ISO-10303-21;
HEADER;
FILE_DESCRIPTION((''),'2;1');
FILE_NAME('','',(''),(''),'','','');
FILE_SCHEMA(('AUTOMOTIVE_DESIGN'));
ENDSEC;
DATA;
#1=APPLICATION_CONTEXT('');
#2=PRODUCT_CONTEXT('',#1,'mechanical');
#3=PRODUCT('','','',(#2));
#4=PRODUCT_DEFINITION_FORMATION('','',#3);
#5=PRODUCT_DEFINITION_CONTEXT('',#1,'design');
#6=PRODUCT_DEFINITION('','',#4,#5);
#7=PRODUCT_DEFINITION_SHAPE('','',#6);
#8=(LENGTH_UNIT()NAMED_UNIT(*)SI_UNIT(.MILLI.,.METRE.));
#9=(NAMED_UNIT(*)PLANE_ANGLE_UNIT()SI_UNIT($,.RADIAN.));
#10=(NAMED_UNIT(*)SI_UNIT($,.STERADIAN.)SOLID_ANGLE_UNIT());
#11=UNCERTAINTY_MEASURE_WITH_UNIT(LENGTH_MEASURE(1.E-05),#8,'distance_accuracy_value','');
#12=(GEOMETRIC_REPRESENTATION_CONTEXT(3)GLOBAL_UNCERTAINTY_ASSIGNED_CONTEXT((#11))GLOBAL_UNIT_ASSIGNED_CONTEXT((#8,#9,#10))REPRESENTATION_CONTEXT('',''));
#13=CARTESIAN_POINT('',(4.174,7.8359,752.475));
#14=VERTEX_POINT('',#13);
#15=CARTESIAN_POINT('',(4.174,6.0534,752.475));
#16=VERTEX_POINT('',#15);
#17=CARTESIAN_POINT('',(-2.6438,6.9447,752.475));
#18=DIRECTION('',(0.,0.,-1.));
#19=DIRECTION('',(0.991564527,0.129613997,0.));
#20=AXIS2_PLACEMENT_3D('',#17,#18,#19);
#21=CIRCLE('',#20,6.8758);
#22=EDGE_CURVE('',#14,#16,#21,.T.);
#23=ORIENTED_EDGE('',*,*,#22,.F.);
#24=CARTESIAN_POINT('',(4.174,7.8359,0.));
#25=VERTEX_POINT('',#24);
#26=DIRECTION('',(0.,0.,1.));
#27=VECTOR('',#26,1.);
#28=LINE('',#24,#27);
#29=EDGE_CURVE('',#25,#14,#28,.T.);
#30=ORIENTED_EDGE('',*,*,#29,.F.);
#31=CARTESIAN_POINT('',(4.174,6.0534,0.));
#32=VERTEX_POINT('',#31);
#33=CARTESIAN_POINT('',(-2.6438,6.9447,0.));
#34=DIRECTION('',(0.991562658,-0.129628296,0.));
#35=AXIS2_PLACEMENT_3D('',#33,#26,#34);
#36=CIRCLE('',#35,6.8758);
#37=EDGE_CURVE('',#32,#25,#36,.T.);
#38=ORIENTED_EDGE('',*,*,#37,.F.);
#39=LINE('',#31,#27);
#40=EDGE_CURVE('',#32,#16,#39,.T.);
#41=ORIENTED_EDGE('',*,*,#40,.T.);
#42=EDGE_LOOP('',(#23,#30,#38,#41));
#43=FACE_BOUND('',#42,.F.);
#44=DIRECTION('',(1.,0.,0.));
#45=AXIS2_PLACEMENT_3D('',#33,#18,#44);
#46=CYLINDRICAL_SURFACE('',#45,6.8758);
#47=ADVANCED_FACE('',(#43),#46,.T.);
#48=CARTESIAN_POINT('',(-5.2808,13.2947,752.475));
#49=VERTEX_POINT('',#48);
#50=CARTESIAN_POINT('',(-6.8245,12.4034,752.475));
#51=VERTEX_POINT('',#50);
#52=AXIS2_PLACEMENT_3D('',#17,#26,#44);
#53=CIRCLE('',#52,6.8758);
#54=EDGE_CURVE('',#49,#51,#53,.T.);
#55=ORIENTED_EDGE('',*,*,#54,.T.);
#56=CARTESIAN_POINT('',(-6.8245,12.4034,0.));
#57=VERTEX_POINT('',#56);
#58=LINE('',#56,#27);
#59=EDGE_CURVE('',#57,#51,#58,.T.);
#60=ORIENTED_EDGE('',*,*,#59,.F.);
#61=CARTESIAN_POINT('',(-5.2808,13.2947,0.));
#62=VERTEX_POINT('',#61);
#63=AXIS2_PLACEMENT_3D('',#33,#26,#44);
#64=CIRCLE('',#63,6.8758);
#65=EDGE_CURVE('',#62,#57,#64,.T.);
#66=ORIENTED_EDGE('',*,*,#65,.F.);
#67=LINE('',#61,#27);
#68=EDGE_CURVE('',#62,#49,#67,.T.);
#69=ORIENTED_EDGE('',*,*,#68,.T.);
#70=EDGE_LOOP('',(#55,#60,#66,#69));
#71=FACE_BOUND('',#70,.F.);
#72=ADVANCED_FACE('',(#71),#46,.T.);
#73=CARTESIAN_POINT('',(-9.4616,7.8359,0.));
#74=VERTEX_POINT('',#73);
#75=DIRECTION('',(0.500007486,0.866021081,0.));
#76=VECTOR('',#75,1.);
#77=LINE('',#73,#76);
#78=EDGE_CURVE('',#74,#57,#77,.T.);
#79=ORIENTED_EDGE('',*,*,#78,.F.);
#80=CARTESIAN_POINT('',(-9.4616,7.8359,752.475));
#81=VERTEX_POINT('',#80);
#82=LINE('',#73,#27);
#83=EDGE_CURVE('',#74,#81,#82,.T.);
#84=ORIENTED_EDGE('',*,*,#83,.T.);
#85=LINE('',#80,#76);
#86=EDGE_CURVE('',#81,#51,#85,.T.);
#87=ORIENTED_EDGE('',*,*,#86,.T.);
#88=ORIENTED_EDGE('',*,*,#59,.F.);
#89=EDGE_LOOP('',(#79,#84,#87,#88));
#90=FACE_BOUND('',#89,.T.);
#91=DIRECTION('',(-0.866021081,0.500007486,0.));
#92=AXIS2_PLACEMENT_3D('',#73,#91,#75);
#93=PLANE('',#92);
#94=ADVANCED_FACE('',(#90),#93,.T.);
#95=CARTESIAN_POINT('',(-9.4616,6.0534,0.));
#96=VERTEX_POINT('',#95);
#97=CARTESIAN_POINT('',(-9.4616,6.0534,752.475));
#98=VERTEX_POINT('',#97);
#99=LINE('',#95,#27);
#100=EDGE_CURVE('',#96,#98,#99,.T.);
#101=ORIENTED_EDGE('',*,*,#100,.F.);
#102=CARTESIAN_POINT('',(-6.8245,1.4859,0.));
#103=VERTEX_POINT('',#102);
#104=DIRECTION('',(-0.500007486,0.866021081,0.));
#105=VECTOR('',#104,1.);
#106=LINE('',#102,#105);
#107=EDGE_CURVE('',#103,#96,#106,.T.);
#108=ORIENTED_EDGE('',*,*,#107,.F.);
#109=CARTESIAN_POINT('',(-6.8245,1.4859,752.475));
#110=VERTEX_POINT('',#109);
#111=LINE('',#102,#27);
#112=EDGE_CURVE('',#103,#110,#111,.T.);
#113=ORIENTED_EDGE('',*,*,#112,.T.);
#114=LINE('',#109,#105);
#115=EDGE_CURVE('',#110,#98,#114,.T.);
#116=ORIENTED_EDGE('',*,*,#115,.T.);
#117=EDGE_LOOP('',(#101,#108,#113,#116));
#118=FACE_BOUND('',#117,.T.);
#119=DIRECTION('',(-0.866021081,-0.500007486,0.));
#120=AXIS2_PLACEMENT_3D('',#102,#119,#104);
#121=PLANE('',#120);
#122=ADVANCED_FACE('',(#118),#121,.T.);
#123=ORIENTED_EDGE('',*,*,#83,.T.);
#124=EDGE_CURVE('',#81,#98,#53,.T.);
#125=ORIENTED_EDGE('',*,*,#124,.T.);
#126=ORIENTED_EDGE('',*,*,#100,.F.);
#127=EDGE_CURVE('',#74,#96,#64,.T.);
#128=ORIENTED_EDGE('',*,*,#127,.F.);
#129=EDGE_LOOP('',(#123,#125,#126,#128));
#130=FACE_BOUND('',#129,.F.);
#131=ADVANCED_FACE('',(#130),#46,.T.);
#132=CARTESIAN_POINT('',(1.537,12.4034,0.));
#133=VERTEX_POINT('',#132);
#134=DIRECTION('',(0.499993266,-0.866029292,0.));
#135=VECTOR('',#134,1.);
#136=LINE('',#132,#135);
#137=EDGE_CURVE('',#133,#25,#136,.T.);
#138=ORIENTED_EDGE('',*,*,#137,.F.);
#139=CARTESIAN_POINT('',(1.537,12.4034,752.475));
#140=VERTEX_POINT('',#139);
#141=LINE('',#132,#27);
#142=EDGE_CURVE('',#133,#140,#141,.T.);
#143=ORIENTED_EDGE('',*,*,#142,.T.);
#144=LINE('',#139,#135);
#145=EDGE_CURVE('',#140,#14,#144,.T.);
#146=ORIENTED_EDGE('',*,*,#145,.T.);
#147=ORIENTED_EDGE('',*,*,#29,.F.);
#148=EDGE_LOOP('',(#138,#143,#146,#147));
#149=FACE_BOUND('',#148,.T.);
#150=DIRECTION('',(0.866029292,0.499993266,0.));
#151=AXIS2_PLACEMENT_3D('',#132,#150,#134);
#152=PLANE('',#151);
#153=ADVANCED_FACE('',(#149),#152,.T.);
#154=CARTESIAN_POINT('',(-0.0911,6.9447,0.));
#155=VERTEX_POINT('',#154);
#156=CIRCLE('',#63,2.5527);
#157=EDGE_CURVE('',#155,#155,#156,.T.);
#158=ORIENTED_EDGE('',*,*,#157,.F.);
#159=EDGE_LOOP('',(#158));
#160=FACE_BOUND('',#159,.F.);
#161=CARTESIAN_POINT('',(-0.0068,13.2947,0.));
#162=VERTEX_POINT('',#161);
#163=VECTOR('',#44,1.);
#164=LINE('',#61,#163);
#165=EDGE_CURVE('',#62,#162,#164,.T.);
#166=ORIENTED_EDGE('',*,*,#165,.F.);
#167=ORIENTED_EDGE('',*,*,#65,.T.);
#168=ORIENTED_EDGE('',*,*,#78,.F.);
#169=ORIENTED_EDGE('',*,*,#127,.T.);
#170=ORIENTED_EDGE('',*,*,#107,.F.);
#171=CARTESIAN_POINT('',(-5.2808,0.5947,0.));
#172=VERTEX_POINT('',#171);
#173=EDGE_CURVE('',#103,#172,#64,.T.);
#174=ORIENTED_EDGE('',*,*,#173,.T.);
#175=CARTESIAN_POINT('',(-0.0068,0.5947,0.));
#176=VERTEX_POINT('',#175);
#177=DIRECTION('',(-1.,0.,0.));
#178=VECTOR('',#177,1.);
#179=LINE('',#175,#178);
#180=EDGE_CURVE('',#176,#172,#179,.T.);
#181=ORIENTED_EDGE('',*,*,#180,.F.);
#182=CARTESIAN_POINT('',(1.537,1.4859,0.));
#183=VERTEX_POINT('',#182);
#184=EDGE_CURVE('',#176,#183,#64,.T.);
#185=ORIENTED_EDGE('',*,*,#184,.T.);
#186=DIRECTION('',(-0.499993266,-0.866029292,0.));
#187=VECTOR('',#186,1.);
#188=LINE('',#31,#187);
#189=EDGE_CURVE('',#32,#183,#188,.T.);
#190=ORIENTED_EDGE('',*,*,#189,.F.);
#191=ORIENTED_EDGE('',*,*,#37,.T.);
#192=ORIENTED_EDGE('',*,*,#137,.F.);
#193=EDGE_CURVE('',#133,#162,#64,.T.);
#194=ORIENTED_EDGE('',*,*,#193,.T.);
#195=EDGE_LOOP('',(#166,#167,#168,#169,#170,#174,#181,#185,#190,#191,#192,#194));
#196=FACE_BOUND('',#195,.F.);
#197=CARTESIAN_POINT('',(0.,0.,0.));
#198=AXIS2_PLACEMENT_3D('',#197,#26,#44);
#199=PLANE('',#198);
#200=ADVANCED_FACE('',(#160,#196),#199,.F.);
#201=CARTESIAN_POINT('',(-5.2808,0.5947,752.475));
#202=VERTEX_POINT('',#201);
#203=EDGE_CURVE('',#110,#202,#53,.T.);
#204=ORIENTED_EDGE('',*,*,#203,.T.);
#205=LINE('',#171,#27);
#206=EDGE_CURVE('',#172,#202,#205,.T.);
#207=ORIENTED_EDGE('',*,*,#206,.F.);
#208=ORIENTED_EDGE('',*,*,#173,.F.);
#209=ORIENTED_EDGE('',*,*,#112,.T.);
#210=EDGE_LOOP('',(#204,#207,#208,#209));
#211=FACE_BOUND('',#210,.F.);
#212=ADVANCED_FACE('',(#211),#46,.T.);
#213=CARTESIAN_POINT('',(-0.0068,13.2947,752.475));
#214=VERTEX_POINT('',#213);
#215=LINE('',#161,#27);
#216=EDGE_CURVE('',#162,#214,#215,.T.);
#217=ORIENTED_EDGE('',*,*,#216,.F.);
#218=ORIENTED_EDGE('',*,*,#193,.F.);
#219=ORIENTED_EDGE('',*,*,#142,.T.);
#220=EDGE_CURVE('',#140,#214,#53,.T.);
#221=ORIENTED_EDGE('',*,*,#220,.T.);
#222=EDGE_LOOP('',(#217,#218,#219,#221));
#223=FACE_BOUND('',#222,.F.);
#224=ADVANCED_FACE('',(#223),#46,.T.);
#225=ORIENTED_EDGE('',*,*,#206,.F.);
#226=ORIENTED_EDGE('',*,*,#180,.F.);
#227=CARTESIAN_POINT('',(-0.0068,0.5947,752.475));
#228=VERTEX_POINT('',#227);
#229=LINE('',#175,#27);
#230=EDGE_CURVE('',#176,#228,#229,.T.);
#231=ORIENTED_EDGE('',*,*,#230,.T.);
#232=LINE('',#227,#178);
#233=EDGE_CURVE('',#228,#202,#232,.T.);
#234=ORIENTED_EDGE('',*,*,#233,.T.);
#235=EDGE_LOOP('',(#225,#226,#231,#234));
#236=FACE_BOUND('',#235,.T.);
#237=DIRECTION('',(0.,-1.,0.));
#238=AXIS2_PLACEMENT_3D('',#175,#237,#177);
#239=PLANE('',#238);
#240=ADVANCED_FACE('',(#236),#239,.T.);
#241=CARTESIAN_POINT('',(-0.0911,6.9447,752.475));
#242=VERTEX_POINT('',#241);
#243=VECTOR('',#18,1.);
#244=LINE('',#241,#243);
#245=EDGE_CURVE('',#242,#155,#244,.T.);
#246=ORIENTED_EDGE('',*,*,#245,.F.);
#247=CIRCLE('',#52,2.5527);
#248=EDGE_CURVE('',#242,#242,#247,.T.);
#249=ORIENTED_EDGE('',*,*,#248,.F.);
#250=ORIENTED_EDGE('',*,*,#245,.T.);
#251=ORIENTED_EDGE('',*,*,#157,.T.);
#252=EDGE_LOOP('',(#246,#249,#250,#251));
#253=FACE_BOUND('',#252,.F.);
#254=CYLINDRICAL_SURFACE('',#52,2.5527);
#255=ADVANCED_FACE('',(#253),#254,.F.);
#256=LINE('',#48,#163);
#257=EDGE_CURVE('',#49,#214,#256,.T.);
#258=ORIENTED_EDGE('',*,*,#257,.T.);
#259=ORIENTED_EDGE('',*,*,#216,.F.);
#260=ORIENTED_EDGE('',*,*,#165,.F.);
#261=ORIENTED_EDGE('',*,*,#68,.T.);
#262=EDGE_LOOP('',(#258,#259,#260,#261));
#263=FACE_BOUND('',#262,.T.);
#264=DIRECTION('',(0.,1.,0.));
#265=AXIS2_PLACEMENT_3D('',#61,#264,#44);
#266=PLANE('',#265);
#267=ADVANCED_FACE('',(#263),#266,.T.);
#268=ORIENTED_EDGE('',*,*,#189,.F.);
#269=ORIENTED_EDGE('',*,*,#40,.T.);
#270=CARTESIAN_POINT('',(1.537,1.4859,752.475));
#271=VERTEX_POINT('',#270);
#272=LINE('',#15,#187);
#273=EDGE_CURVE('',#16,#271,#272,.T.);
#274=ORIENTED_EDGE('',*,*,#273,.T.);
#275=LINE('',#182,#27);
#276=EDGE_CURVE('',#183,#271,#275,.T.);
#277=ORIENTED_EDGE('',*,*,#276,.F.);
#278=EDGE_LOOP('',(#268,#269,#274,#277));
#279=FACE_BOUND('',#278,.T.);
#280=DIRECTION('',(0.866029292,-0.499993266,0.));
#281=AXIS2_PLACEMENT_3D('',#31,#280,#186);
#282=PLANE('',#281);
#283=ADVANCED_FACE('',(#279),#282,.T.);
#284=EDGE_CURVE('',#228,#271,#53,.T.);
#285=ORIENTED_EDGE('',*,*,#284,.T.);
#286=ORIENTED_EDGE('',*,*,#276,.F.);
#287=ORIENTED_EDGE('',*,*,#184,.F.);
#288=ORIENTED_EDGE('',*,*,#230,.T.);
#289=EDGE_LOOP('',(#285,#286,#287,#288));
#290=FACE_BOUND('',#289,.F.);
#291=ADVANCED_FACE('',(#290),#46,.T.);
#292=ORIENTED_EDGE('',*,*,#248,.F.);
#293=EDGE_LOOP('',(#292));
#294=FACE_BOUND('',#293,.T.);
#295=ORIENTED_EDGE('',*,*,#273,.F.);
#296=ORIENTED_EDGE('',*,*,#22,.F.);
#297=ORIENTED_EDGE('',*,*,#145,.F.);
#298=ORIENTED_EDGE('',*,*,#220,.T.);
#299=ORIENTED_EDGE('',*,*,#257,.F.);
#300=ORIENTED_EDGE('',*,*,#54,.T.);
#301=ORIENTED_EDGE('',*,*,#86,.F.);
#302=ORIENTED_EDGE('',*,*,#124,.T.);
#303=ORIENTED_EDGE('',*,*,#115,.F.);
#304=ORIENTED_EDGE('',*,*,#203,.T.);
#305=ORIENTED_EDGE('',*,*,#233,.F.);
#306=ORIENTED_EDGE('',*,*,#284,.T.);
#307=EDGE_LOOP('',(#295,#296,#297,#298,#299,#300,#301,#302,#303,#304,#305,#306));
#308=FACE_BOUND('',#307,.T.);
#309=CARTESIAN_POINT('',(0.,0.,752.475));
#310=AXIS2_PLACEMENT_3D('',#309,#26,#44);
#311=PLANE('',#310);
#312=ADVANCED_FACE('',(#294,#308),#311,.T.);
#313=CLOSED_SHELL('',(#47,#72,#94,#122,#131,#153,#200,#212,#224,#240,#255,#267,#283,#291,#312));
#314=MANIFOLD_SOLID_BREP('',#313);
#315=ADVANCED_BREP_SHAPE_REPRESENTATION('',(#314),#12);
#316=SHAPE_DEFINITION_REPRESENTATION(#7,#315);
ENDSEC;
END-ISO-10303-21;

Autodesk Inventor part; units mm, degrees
ref_plane "YZ Plane" through (0, 0, 0) normal (1, 0, 0) x (0, 1, 0)
ref_plane "XZ Plane" through (0, 0, 0) normal (0, 1, 0) x (-1, 0, 0)
ref_plane "XY Plane" through (0, 0, 0) normal (0, 0, 1) x (1, 0, 0)
sketch "Sketch1" plane through (0, 0, 0) normal (0, 0, 1) x (1, 0, 0)
  circle A0 centre (-2.6438, 6.9447) radius 6.8758
  line L0 (-9.4616, 7.8359) -> (-6.8245, 12.4034)
  line L1 (-6.8245, 1.4859) -> (-9.4616, 6.0534)
  line L2 (-0.0068, 0.5947) -> (-5.2808, 0.5947)
  line L3 (4.174, 6.0534) -> (1.537, 1.4859)
  line L4 (1.537, 12.4034) -> (4.174, 7.8359)
  line L5 (-5.2808, 13.2947) -> (-0.0068, 13.2947)
  point P0 (0, 0)
  point P1 (1.537, 1.4859)
  dimension "d0" = 13.7516
  dimension "d4" = 360
extrude "Extrusion1" add sketch "Sketch1" along normal blind 752.475 contours A0 L3 L2 L1 L0 L5 L4
sketch "Sketch2" plane through (0, 0, 752.475) normal (0, 0, 1) x (1, 0, 0)
  circle A0 centre (-2.6438, 6.9447) radius 2.5527
  line L0 (-5.2808, 0.5947) -> (-0.0068, 0.5947) projected
  line L1 (-2.6438, 6.9447) -> (-5.2808, 0.5947) construction
  line L2 (-2.6438, 6.9447) -> (-0.0068, 0.5947) construction
  point P0 (0, 0)
  dimension "d8" = 5.1054
  dimension "d9" = 6.35
extrude "Extrusion2" cut sketch "Sketch2" against normal blind 752.475
equation "\"d6\" = d5"
equation "\"d10\" = d5"
equation "\"d5\" = 752.475"
properties part number "PivotShaft" material "Aluminum 6061"
